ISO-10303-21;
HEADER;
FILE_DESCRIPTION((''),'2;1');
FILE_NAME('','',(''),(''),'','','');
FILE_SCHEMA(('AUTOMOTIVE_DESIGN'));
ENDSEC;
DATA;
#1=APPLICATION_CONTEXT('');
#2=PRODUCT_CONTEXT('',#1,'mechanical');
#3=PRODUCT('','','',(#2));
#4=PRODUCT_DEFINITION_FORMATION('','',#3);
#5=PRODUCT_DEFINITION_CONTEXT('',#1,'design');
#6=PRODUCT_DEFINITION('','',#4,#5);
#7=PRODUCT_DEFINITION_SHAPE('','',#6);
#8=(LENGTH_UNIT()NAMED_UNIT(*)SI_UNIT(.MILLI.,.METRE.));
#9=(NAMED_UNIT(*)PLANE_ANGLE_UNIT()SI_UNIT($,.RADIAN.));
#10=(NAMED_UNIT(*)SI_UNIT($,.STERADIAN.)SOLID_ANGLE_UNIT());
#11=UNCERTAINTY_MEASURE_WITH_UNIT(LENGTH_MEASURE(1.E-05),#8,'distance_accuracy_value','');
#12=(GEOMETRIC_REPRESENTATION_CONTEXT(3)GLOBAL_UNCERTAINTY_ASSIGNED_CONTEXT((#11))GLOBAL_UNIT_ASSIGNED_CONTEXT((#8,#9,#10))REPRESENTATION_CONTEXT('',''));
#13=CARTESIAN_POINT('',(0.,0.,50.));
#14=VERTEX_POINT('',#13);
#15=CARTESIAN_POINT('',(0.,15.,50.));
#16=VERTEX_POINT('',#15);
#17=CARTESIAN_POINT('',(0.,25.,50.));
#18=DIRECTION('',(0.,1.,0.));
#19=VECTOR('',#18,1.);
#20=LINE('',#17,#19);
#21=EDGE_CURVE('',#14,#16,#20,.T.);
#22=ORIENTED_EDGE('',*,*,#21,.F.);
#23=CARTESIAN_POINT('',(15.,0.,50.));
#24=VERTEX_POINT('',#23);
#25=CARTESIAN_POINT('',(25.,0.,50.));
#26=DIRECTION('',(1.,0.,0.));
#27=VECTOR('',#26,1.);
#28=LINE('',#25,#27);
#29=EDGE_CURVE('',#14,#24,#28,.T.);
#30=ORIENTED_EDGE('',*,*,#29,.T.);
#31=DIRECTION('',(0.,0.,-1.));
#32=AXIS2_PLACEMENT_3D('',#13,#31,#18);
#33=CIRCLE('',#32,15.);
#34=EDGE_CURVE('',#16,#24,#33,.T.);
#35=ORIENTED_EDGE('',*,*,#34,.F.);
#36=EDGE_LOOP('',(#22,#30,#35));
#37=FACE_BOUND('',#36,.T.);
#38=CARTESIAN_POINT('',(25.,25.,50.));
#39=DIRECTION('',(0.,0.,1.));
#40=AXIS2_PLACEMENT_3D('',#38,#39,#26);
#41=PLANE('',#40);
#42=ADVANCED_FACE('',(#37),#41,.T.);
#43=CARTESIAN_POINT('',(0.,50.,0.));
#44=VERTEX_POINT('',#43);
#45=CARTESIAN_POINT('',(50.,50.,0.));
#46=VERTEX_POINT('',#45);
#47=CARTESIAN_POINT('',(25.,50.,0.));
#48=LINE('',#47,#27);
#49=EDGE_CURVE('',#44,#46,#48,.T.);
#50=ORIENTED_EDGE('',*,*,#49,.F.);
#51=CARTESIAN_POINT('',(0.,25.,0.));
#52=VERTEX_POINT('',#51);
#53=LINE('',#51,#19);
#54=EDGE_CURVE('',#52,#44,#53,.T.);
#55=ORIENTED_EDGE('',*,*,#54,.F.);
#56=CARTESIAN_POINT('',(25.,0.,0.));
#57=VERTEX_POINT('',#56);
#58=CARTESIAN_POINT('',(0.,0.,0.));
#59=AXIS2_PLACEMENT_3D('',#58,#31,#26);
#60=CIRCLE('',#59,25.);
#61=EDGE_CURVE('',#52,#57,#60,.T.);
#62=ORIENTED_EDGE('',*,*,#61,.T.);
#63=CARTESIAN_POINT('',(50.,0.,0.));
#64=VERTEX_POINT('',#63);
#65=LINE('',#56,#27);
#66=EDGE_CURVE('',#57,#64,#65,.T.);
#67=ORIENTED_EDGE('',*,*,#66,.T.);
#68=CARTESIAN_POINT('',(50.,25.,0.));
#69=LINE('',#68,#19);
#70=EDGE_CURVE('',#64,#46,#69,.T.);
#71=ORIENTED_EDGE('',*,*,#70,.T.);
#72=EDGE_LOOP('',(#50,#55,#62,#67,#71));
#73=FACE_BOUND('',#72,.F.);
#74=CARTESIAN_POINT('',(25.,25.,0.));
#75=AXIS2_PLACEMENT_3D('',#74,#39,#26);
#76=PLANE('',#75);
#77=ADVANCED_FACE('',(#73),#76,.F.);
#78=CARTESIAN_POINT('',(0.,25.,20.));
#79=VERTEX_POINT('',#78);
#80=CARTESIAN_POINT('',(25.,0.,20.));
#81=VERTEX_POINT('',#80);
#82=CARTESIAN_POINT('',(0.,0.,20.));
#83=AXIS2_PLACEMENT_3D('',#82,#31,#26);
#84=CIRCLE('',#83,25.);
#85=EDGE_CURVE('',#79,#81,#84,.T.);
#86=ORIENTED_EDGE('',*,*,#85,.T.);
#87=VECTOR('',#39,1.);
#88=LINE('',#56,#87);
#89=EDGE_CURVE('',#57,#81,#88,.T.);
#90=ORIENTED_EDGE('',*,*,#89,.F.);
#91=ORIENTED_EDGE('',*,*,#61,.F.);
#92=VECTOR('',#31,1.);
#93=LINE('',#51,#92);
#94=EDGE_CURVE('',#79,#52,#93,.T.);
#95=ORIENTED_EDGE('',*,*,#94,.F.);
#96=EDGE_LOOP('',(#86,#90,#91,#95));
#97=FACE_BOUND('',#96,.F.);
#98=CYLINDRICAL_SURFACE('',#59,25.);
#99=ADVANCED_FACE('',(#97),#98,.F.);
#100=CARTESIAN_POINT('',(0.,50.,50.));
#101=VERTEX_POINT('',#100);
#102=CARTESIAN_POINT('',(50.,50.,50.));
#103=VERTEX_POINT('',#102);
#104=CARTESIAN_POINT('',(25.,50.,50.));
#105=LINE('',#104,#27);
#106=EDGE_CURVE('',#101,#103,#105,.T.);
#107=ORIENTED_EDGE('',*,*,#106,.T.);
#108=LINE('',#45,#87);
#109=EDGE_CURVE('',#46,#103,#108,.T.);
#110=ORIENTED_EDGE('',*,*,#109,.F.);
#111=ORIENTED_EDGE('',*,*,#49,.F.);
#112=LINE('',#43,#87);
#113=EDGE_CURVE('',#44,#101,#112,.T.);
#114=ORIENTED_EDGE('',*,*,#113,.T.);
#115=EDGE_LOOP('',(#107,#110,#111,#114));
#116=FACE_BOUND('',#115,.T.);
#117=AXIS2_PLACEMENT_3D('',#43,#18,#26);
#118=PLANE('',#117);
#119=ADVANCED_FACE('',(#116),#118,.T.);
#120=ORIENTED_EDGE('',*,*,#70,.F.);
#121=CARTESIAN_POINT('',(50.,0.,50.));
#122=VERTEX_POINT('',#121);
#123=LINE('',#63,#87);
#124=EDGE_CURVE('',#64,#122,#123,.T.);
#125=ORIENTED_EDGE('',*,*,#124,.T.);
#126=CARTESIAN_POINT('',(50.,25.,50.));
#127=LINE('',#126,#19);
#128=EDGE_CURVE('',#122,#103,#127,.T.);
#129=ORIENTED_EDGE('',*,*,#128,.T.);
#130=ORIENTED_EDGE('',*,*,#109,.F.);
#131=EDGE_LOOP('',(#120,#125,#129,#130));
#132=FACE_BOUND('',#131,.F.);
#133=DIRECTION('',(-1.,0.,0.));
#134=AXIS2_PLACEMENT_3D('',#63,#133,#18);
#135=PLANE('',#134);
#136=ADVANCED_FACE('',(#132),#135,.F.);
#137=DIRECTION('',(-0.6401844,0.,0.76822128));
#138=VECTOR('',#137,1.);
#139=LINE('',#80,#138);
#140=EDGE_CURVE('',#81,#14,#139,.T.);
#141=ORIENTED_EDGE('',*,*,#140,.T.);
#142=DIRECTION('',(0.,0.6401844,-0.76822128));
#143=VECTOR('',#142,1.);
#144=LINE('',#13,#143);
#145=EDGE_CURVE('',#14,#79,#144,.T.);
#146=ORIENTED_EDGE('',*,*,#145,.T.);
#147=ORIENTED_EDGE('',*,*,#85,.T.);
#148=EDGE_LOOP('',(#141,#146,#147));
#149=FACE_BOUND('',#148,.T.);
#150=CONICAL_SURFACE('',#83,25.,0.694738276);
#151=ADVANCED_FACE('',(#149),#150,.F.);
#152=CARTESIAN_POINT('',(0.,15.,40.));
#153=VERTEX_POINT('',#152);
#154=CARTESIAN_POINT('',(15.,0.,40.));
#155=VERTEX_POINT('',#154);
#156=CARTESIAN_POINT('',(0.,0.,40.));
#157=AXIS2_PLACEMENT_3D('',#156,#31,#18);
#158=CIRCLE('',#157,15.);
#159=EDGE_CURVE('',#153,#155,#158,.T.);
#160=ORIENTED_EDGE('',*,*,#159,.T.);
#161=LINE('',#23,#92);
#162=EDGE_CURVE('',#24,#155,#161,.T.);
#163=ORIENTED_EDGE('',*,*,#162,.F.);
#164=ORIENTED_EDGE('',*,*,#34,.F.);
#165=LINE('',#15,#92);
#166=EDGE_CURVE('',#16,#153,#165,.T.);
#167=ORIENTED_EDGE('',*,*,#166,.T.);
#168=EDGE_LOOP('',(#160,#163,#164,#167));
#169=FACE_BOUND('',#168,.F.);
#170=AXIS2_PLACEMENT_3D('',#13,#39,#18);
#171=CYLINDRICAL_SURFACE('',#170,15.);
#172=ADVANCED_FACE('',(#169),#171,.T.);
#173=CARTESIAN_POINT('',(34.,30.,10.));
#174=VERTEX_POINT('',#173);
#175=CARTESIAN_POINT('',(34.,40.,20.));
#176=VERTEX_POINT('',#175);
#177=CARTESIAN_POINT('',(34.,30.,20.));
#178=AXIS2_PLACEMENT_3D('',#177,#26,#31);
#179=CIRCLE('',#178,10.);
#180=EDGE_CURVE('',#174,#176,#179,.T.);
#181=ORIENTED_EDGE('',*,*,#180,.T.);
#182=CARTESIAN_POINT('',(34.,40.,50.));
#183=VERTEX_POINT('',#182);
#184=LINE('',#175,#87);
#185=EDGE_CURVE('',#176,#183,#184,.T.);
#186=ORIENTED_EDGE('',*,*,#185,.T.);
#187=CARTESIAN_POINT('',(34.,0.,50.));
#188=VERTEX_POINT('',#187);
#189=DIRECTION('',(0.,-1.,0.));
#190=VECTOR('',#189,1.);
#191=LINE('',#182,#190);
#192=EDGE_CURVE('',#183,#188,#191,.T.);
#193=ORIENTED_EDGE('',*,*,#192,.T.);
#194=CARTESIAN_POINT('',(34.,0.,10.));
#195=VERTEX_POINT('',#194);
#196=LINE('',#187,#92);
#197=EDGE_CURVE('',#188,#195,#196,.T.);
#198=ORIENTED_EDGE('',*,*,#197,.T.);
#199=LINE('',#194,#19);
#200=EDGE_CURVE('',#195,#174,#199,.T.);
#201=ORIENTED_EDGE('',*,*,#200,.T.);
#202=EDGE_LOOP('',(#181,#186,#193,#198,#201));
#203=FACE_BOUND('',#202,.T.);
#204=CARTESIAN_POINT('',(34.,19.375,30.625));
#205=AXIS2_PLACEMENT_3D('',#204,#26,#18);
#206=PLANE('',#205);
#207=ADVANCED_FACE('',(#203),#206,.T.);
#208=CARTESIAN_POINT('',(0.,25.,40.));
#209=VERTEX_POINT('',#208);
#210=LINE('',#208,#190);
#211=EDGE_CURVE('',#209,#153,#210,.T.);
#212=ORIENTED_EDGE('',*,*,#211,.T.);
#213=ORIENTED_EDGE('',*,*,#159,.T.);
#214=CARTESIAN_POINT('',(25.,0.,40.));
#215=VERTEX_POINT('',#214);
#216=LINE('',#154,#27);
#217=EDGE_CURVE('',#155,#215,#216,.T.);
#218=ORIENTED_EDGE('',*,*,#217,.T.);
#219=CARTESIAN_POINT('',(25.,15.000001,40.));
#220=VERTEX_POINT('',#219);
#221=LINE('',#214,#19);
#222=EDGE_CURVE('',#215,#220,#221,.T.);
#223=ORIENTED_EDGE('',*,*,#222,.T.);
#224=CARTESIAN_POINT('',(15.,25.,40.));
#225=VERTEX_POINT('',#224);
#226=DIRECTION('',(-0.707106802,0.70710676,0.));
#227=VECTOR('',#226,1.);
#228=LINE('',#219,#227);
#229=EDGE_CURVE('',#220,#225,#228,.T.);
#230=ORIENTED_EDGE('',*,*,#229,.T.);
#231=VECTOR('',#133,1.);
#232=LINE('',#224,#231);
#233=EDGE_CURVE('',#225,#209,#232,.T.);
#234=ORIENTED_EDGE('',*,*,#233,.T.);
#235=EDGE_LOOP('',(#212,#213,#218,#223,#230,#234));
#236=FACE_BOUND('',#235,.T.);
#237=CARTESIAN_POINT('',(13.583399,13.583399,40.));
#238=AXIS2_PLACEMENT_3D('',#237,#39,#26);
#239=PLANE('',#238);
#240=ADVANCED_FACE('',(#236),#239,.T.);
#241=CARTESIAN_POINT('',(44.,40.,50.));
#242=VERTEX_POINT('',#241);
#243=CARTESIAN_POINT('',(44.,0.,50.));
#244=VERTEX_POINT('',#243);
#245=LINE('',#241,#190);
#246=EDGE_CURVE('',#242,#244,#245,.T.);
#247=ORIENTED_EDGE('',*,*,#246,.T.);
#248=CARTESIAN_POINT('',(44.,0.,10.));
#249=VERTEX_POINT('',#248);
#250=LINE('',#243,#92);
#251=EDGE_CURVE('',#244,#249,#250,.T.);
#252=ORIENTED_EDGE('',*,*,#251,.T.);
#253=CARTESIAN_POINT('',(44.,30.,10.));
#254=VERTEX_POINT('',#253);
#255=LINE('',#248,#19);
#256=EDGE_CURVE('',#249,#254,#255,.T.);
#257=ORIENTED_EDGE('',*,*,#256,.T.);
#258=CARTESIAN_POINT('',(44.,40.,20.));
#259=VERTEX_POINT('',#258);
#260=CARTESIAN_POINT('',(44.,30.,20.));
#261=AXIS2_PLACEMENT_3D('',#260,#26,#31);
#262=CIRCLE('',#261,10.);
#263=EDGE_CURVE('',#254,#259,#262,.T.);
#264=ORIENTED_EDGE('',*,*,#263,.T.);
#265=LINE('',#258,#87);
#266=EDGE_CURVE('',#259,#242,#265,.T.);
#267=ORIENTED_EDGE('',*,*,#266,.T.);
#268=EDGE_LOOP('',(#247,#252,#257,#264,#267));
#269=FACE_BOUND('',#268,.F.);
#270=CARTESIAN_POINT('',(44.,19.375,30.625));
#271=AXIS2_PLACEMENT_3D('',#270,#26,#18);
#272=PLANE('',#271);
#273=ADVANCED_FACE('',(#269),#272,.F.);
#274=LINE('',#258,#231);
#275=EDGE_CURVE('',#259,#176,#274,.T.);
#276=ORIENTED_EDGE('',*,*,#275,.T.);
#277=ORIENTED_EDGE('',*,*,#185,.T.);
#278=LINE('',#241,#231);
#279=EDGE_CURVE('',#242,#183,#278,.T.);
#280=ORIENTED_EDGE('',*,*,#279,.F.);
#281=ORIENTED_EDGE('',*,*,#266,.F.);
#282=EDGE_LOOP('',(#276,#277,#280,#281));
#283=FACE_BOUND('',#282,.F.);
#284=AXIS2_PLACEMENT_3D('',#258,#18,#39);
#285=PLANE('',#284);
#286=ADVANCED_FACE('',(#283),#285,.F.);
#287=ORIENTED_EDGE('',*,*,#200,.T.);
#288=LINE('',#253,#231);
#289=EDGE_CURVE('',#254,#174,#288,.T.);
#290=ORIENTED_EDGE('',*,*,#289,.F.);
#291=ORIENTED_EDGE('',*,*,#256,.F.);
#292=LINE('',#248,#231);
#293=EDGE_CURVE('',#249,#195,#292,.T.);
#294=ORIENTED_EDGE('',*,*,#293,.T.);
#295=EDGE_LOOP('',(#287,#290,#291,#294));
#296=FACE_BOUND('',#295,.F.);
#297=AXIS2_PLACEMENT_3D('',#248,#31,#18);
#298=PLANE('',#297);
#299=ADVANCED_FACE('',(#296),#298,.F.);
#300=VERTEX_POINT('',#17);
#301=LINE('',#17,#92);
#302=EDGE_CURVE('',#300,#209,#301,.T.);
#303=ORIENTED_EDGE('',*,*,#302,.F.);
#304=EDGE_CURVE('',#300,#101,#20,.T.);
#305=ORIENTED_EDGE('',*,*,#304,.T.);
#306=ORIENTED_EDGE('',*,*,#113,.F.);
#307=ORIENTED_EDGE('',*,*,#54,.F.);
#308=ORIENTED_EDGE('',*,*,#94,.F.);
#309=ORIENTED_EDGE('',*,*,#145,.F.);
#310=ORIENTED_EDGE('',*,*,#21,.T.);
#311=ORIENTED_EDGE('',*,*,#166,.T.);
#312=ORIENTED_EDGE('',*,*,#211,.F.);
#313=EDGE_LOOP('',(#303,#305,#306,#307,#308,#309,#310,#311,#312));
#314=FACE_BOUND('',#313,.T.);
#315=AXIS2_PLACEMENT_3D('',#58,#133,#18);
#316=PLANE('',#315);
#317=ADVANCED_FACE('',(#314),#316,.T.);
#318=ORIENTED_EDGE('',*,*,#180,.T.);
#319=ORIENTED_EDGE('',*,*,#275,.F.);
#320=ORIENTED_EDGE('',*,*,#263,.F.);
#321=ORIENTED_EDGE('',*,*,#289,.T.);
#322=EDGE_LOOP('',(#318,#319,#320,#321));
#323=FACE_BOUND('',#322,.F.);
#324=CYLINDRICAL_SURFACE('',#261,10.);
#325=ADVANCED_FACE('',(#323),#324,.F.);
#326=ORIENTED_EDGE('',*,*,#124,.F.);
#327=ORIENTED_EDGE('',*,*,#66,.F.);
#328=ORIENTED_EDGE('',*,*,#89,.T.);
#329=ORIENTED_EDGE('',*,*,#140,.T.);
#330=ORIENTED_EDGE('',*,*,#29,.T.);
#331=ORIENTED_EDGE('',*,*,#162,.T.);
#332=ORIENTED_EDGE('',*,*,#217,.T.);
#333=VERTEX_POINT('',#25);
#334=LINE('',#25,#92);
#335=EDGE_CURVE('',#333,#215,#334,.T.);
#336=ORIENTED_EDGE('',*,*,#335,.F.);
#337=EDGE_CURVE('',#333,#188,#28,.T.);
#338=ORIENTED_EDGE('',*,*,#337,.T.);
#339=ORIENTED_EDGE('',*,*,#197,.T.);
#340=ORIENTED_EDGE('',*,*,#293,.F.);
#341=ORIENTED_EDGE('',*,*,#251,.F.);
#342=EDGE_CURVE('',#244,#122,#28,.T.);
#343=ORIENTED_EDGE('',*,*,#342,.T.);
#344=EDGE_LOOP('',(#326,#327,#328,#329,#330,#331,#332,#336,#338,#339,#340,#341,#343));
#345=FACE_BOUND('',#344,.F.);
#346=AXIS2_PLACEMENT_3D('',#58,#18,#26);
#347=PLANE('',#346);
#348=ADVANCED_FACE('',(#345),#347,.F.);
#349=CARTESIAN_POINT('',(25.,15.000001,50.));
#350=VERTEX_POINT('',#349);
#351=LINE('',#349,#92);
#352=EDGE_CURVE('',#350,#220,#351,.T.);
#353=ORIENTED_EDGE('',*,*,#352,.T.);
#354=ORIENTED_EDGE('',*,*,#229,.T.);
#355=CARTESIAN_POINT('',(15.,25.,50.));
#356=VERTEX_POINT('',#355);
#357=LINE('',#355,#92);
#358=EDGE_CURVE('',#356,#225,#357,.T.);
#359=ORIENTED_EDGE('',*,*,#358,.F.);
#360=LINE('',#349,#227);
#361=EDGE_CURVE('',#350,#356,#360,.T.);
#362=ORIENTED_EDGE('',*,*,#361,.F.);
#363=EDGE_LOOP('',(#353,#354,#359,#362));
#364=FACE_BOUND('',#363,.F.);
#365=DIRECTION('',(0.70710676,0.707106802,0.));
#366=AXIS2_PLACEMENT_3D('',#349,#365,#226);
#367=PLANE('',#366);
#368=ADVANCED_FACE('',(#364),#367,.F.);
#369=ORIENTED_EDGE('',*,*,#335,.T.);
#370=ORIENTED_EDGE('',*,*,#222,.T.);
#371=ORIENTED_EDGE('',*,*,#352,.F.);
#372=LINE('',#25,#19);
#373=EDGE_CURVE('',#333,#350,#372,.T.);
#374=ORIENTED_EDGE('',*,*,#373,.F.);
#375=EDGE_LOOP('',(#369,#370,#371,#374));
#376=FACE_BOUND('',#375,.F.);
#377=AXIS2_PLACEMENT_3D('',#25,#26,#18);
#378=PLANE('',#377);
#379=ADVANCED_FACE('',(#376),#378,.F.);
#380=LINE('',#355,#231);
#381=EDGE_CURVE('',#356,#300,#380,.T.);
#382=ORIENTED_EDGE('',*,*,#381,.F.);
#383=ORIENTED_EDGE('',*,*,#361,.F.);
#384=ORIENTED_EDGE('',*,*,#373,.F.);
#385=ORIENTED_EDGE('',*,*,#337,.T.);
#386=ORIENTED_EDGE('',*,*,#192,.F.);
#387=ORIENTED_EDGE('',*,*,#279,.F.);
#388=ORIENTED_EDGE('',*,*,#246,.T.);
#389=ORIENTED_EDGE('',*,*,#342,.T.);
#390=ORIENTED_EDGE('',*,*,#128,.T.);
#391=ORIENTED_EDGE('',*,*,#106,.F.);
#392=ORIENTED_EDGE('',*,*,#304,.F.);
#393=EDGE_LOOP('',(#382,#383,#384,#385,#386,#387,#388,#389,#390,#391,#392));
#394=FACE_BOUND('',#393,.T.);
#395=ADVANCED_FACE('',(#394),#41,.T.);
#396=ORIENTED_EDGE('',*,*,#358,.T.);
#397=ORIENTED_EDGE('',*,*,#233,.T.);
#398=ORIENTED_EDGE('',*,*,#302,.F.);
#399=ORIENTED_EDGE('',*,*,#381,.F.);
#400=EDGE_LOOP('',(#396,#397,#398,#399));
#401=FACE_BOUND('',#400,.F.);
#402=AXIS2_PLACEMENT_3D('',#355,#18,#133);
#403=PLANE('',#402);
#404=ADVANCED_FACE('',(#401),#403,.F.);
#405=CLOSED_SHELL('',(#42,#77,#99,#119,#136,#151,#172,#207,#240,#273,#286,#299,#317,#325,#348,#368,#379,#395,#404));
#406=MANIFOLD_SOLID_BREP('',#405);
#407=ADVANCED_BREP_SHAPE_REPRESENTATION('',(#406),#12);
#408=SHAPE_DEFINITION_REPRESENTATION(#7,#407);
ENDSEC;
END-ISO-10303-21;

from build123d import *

# Parameters (mm, degrees)
F0_W      = 50
F0_H      = 50
F1_DEPTH  = 50
F3_DEPTH  = 10
F4_R      = 25
F5_DEPTH  = 20
F11_DEPTH = 10


with BuildPart() as f1:
    # F0 (on Top) → F1 (new body)
    with BuildSketch(Plane.XY):
        with Locations((25, 25)):
            Rectangle(F0_W, F0_H)
    extrude(amount=F1_DEPTH)

    # F2 (on face) → F3 (cut)
    with BuildSketch(Plane.XY.offset(50)):
        with BuildLine():
            ThreePointArc((0, 15), (-10.6066017178, -10.6066017178), (15, 0))
            Line((15, 0), (0, 0))
            Line((0, 0), (0, 15))
        make_face()
        with BuildLine():
            ThreePointArc((0, 15), (10.6066017178, 10.6066017178), (15, 0))
            Line((15, 0), (25, 0))
            Line((25, 0), (25, 15.000000596))
            Line((25, 15.000000596), (15, 25))
            Line((15, 25), (0, 25))
            Line((0, 25), (0, 15))
        make_face()
    extrude(amount=-F3_DEPTH, mode=Mode.SUBTRACT)

    # F4 (on face) → F5 (cut)
    with BuildSketch(Plane(origin=(0, 0, 0), x_dir=(1, 0, 0), z_dir=(0, 0, -1))):
        Circle(F4_R)
    extrude(amount=-F5_DEPTH, mode=Mode.SUBTRACT)

    # F6 (on face) → F7 (revolve, cut)
    with BuildSketch(Plane.XZ):
        Polygon((25, 20), (0, 50), (0, 20), align=None)
    revolve(axis=Axis((0, 0, 35), (0, 0, -1)), mode=Mode.SUBTRACT)

    # F10 (on offset) → F11 (cut, through all)
    with BuildSketch(Plane.YZ.offset(44)):
        Polygon((0, 50), (0, 10), (30, 10), (30, 20), (40, 20), (40, 50), align=None)
        with BuildLine():
            Line((30, 20), (30, 10))
            ThreePointArc((30, 10), (37.0710678119, 12.9289321881), (40, 20))
            Line((40, 20), (30, 20))
        make_face()
    extrude(amount=-F11_DEPTH, mode=Mode.SUBTRACT)


solid = f1.part
